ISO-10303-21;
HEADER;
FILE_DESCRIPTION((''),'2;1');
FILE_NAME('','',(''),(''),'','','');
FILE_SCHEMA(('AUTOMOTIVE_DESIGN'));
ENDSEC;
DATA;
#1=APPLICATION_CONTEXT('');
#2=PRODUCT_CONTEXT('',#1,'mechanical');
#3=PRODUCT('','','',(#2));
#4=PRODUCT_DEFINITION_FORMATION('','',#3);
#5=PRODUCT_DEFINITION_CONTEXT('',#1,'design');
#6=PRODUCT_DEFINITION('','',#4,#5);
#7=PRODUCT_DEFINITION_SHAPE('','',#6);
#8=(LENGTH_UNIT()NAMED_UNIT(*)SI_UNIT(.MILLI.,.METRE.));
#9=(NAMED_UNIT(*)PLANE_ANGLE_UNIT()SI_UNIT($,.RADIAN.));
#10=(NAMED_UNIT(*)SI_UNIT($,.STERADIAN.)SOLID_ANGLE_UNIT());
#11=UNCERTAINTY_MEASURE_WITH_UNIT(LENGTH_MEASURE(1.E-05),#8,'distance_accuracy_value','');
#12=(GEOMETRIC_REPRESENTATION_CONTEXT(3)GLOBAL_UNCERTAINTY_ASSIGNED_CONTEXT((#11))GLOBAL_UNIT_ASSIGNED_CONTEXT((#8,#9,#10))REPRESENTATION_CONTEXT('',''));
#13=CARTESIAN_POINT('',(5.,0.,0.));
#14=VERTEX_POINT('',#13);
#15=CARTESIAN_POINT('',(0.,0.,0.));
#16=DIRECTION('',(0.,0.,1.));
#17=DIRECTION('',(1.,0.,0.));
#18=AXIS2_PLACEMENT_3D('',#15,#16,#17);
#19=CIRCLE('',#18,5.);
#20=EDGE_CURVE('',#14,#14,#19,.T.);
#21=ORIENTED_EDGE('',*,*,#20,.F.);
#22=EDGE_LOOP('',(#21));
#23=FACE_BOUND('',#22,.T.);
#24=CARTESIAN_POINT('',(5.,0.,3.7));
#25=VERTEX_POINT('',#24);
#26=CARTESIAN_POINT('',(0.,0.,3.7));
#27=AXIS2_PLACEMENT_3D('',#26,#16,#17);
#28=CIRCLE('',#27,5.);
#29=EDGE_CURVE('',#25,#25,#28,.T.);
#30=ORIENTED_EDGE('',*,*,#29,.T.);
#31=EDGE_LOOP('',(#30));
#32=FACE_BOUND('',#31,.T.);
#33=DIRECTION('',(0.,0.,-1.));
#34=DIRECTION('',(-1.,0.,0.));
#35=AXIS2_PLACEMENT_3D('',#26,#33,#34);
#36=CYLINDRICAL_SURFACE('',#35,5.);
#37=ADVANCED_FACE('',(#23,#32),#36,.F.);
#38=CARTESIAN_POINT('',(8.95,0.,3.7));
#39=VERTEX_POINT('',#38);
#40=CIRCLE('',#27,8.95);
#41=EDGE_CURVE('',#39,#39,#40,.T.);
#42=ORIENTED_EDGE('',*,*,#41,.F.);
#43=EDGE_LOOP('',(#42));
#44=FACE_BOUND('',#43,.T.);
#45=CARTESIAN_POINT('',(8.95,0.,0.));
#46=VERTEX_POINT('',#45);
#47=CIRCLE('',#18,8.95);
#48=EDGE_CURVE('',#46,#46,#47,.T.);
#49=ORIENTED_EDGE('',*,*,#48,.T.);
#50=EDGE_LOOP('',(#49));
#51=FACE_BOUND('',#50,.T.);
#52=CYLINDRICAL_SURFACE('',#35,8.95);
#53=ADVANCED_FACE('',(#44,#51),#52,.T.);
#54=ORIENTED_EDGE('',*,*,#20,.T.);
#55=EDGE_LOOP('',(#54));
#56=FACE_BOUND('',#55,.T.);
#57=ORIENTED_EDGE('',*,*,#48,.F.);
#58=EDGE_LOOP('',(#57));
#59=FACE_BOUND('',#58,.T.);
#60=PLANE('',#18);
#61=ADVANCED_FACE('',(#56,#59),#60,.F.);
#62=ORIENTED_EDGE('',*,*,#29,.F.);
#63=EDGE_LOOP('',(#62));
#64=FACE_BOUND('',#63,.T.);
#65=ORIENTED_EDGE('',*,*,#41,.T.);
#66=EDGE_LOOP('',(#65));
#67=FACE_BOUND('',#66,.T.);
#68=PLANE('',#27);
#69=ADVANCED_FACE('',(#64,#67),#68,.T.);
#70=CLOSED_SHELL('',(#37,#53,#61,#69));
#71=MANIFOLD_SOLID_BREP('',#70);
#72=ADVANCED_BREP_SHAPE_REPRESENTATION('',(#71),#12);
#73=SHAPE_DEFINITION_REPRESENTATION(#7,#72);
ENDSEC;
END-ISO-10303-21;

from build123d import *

# Parameters (mm, degrees)
SKETCH1_R           = 8.95
SKETCH1_R_2         = 5
BOSS_EXTRUDE1_DEPTH = 3.7


with BuildPart() as part:
    # Sketch1 → Boss-Extrude1 (new body)
    with BuildSketch(Plane.XY):
        Circle(SKETCH1_R)
        Circle(SKETCH1_R_2, mode=Mode.SUBTRACT)
    extrude(amount=BOSS_EXTRUDE1_DEPTH)


solid = part.part
